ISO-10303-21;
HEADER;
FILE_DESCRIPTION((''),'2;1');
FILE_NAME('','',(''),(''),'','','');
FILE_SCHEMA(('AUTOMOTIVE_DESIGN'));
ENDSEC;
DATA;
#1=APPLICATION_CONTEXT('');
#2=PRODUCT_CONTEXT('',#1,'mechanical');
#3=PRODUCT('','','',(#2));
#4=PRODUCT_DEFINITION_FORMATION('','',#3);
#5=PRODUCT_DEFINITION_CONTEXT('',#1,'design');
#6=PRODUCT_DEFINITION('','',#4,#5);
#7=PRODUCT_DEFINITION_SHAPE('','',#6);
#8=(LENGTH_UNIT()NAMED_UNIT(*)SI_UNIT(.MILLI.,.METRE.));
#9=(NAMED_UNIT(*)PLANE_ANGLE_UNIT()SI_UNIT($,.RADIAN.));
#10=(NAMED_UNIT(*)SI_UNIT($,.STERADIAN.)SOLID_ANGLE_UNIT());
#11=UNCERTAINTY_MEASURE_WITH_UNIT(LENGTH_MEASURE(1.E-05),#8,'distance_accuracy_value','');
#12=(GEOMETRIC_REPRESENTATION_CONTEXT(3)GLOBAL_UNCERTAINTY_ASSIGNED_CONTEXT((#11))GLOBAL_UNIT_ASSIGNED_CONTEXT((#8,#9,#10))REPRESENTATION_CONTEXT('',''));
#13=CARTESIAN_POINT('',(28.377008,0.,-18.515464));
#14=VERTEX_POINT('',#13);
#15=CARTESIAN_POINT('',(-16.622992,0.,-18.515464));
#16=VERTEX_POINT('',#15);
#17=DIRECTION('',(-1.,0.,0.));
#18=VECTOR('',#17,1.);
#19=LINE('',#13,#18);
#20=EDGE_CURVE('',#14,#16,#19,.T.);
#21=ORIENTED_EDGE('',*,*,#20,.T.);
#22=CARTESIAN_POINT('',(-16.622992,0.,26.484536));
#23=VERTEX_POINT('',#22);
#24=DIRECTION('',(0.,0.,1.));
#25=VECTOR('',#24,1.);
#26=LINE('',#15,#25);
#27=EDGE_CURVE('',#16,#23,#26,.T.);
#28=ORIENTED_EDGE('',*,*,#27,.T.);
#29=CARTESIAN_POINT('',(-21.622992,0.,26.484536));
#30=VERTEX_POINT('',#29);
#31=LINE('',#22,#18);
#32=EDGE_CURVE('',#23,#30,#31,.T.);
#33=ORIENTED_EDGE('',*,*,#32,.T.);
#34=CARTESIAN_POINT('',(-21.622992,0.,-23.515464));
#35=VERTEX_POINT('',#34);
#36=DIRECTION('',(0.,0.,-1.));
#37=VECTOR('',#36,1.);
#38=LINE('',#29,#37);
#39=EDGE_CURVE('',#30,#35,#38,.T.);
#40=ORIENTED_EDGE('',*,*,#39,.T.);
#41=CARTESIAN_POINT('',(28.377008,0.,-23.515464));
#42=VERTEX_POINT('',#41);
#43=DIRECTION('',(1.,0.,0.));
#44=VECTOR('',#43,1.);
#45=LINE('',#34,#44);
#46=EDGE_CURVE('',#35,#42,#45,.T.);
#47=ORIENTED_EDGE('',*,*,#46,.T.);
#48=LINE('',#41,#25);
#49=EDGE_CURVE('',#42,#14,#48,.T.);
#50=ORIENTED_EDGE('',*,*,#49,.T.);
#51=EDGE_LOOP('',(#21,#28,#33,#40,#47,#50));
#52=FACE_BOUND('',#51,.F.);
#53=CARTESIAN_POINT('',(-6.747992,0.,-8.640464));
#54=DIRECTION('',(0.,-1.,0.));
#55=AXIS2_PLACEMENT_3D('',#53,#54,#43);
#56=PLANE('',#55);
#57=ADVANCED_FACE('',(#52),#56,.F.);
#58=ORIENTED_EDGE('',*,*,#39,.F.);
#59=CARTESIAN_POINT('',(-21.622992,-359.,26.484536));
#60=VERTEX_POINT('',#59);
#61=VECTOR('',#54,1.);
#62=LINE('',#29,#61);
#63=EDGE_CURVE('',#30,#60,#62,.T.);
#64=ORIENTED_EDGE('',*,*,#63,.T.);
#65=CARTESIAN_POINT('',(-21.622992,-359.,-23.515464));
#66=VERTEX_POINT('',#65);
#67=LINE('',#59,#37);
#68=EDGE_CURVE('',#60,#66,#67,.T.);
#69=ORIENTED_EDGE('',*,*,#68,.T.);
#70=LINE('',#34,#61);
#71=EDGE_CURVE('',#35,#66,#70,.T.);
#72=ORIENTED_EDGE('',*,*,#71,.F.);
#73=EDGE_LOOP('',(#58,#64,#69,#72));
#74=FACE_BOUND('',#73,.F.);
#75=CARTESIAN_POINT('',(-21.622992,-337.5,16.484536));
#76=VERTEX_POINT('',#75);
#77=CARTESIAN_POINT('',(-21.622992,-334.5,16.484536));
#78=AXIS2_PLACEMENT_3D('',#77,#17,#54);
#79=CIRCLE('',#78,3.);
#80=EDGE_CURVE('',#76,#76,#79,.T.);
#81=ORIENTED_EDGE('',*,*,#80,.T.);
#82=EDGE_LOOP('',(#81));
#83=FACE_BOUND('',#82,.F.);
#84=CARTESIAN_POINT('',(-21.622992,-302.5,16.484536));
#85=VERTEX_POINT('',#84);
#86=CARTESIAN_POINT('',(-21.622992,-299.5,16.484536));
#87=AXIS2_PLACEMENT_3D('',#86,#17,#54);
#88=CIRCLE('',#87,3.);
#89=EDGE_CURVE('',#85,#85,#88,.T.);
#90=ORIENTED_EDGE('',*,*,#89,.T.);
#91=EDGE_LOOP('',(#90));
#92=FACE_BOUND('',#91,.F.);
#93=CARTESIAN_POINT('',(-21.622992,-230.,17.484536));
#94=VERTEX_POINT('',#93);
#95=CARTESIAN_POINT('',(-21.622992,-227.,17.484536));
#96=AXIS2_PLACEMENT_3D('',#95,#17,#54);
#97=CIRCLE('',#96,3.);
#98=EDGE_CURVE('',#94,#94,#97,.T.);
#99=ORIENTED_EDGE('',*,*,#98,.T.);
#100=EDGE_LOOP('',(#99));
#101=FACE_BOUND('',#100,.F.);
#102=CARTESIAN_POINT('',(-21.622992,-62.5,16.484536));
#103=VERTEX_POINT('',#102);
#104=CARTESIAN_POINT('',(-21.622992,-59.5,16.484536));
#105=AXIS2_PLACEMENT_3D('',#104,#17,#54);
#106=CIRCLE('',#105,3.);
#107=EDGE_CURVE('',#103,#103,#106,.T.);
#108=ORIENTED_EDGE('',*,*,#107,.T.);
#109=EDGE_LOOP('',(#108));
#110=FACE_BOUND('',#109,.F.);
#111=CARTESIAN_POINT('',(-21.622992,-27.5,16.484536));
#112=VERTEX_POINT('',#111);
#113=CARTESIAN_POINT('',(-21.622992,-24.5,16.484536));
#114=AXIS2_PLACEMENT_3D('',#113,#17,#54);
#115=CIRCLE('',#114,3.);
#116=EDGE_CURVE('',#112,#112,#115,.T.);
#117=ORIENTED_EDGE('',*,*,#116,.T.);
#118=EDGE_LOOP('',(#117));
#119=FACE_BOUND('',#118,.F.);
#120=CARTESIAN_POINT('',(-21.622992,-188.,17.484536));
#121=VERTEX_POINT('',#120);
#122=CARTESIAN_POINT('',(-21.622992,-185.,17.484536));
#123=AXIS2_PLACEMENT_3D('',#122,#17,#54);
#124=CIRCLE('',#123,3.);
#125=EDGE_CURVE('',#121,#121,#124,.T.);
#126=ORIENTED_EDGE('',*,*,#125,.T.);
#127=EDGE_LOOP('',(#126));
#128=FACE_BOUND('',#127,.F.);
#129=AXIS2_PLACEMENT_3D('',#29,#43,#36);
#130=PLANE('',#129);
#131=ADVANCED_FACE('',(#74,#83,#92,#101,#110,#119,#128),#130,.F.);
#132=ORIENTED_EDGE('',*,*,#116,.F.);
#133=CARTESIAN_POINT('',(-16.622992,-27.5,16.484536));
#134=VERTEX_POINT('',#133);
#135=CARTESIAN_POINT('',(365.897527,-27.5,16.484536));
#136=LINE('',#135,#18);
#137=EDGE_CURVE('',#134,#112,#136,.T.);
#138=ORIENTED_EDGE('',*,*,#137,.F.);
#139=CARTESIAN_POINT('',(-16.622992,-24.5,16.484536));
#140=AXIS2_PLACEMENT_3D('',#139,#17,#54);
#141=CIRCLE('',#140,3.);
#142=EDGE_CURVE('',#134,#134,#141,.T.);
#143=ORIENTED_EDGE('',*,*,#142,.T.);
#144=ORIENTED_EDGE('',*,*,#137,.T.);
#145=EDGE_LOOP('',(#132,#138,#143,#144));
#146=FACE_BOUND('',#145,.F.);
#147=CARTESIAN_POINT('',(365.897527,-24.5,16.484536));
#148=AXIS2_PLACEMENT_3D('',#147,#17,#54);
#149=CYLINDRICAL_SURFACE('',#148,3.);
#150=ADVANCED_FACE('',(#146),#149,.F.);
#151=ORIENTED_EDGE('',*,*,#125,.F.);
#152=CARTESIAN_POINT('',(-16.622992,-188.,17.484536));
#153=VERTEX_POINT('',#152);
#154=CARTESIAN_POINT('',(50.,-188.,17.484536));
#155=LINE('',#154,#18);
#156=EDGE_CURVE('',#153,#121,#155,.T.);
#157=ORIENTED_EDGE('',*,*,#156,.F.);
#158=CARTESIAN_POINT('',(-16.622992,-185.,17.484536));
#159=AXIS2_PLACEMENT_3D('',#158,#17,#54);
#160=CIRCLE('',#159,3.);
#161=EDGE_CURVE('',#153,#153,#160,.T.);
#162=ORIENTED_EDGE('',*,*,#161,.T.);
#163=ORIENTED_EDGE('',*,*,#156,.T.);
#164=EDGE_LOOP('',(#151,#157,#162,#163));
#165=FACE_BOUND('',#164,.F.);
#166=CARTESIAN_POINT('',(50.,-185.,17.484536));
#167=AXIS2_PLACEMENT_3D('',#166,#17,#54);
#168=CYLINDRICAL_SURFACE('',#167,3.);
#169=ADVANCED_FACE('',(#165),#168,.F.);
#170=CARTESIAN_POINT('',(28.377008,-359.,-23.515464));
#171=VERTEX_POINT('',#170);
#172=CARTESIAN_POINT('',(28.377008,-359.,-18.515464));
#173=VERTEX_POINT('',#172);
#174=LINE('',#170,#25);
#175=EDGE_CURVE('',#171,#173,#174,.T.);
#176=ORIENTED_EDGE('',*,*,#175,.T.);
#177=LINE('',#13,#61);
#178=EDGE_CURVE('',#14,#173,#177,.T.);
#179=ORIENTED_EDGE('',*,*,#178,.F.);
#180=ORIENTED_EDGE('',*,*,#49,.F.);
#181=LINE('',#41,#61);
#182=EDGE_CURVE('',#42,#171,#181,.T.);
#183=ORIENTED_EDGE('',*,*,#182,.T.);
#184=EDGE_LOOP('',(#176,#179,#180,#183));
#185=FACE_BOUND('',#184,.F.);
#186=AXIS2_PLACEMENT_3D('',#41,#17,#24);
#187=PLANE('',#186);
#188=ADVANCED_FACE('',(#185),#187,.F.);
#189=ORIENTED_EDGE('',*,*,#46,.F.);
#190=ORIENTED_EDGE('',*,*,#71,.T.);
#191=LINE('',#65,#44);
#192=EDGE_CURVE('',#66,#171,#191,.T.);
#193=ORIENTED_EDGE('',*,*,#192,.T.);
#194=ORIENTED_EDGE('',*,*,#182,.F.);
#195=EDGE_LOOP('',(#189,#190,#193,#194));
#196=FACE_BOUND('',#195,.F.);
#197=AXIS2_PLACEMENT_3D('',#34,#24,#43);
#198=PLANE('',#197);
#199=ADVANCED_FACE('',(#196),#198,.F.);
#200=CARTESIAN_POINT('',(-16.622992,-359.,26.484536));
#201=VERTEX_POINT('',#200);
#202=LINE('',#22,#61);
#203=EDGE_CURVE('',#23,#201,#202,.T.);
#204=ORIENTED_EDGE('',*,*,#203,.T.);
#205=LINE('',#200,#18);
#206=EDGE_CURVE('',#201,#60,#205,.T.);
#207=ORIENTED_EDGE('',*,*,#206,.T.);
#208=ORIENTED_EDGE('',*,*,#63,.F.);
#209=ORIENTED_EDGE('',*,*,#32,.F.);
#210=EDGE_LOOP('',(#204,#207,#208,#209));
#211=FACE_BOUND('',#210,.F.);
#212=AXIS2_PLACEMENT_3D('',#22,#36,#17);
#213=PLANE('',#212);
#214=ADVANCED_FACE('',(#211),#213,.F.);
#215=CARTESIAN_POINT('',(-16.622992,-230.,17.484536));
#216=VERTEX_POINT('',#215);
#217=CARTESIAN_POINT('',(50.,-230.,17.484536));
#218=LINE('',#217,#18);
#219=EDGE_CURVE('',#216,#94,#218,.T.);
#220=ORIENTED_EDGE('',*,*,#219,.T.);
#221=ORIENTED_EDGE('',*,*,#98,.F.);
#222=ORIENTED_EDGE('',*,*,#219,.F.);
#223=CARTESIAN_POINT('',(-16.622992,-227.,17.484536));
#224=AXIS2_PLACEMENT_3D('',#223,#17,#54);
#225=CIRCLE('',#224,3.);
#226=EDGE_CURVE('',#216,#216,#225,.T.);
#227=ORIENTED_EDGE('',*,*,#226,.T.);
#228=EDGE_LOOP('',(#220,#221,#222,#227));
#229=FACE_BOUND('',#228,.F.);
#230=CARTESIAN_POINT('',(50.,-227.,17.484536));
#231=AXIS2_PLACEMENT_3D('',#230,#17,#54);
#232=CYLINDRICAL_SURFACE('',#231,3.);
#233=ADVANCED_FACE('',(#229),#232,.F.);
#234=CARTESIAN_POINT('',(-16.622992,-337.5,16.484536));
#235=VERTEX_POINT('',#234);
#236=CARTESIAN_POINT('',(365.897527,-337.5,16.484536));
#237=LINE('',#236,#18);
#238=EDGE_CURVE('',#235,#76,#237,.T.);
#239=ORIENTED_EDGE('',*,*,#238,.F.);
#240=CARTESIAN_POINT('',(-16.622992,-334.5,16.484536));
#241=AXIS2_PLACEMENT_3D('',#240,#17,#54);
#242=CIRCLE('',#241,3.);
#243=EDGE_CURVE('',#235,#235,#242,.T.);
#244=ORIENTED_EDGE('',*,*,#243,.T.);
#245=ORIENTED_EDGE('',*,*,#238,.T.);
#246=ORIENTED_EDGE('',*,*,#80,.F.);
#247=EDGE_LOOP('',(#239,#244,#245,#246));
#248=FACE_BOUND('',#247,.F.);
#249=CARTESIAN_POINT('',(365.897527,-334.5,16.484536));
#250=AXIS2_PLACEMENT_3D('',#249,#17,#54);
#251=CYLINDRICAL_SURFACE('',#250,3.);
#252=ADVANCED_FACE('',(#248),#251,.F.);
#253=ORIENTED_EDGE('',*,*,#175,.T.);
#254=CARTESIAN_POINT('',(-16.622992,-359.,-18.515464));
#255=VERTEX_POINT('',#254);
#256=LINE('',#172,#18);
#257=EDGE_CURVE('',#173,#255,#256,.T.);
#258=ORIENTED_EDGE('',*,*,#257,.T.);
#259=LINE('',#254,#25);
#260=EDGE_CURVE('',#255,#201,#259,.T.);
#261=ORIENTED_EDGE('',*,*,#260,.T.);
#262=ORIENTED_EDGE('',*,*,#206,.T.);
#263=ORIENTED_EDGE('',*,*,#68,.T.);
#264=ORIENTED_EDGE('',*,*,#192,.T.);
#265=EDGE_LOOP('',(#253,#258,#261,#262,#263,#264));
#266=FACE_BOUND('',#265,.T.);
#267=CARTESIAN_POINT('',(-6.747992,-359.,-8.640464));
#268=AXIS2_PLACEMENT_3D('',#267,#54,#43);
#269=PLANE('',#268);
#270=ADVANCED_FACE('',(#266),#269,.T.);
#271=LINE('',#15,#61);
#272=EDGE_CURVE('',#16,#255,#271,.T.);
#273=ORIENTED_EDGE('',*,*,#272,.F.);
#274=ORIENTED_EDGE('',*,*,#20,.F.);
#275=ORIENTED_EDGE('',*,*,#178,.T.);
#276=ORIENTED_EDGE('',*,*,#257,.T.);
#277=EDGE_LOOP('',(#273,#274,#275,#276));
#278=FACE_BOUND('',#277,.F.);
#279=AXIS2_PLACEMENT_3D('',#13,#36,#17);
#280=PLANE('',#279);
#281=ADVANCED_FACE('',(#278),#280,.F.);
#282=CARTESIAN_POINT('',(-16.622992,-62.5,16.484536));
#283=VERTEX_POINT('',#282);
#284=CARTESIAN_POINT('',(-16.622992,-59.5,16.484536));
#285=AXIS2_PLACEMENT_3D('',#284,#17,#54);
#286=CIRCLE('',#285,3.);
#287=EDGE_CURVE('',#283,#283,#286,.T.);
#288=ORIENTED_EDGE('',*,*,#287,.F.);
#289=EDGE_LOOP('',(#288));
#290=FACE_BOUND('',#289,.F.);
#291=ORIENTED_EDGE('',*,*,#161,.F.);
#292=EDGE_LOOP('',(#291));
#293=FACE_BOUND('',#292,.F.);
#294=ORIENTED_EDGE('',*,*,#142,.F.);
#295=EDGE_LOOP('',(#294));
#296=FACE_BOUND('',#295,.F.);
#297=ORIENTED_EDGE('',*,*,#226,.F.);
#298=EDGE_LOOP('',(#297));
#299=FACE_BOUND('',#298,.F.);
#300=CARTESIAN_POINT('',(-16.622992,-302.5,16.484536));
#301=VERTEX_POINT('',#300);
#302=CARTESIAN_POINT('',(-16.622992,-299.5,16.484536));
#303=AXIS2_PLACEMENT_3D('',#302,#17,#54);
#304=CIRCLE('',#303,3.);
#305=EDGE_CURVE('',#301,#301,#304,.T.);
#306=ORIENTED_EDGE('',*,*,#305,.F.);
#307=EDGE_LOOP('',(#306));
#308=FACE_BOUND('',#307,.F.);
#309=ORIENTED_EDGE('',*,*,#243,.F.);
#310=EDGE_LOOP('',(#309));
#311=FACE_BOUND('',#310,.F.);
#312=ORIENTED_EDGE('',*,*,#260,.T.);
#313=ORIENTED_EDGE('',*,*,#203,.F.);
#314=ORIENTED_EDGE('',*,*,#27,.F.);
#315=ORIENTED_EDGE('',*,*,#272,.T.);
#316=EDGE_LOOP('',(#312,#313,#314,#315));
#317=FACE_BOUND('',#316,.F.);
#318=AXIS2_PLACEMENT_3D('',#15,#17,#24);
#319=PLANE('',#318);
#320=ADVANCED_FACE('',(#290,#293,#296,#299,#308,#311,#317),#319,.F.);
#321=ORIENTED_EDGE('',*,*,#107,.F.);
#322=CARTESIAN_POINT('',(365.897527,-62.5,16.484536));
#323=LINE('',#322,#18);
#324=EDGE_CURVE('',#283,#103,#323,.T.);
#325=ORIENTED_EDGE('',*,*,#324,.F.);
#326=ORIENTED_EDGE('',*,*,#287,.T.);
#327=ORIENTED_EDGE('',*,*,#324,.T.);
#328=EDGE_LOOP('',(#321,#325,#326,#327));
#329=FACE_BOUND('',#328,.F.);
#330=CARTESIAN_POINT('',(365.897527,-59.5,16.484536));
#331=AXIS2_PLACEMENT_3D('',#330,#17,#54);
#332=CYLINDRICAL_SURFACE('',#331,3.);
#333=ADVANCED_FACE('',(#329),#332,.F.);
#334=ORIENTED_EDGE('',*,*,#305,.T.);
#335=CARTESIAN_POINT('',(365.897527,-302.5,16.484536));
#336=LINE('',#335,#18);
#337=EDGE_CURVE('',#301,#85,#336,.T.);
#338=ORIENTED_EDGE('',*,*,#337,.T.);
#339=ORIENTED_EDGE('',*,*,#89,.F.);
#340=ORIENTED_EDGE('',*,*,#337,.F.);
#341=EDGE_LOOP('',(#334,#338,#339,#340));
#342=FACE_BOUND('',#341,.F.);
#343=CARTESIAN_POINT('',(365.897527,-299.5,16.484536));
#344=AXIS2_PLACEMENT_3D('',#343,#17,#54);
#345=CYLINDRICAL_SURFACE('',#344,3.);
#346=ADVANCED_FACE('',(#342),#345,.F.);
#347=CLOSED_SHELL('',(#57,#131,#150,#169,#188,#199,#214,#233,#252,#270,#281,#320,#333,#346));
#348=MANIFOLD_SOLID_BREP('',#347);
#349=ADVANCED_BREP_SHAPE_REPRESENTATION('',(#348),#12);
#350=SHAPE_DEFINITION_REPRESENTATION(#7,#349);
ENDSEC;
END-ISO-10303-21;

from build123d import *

# Parameters (mm, degrees)
F1_DEPTH = 359
F3_D     = 6
F4_D     = 6
F5_D     = 6
F6_D     = 6
F7_D     = 6
F7_DEPTH = 50


with BuildPart() as f1:
    # F0 (on Front) → F1 (new body)
    with BuildSketch(Plane.XZ):
        Polygon((-16.622992, 26.484536), (-21.622992, 26.484536), (-21.622992, -23.515464), (28.377008, -23.515464), (28.377008, -18.515464), (-16.622992, -18.515464), align=None)
    extrude(amount=F1_DEPTH)

    # F3 (through all)
    with Locations(Plane.YZ):
        with Locations((-334.5, 16.484536)):
            Hole(F3_D / 2)

    # F4 (through all)
    with Locations(Plane.YZ):
        with Locations((-24.5, 16.484536)):
            Hole(F4_D / 2)

    # F5 (through all)
    with Locations(Plane.YZ):
        with Locations((-299.5, 16.484536)):
            Hole(F5_D / 2)

    # F6 (through all)
    with Locations(Plane.YZ):
        with Locations((-59.5, 16.484536)):
            Hole(F6_D / 2)

    # F7
    with Locations(Plane.YZ):
        with Locations((-227, 17.484536), (-185, 17.484536)):
            Hole(F7_D / 2, depth=F7_DEPTH)


solid = f1.part
